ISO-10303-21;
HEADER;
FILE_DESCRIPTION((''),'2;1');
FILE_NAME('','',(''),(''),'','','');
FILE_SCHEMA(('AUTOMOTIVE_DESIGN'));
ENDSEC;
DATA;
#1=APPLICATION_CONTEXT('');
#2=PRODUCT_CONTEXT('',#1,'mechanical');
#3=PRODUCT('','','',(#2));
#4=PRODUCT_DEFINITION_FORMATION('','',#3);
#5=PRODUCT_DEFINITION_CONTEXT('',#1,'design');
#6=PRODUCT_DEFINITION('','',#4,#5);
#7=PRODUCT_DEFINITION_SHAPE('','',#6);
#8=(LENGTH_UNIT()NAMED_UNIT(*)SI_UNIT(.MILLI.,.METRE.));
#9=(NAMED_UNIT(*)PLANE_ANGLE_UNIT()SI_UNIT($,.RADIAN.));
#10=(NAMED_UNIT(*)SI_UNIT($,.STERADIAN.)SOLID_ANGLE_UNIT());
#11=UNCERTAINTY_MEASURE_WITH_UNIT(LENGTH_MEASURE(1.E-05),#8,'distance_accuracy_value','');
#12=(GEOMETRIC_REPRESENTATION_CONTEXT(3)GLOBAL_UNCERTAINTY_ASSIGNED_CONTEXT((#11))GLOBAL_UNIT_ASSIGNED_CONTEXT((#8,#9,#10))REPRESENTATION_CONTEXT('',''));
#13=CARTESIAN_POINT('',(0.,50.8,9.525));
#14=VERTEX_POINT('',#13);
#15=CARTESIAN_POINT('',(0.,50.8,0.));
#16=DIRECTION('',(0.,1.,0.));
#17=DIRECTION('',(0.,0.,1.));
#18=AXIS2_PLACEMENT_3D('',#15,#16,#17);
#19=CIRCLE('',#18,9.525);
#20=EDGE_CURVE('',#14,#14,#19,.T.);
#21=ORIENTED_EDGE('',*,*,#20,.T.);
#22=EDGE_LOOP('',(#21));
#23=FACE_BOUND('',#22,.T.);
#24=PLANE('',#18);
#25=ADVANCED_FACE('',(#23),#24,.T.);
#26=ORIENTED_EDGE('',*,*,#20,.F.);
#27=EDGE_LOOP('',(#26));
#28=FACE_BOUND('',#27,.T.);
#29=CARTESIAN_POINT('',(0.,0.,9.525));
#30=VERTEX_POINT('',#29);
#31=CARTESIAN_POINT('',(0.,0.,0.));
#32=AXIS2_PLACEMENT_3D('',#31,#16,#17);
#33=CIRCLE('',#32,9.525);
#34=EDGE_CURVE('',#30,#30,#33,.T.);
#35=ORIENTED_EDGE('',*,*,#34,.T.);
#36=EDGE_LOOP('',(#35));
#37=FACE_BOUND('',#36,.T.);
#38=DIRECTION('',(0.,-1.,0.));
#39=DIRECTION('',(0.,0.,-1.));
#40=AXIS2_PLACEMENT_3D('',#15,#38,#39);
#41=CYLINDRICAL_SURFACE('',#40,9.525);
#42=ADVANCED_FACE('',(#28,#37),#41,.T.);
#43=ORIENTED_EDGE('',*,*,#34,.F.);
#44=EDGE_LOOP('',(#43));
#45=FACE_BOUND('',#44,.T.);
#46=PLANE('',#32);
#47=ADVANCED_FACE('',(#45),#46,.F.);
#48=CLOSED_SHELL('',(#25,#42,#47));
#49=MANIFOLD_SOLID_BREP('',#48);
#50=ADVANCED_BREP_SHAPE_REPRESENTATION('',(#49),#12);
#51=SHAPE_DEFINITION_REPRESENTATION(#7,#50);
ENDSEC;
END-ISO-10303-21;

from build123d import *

# Parameters (mm, degrees)
SKETCH1_R           = 9.525
BOSS_EXTRUDE1_DEPTH = 50.8


with BuildPart() as part:
    # Sketch1 → Boss-Extrude1 (new body)
    with BuildSketch(Plane(origin=(0, 0, 0), x_dir=(1, 0, 0), z_dir=(0, 1, 0))):
        Circle(SKETCH1_R)
    extrude(amount=BOSS_EXTRUDE1_DEPTH)


solid = part.part
